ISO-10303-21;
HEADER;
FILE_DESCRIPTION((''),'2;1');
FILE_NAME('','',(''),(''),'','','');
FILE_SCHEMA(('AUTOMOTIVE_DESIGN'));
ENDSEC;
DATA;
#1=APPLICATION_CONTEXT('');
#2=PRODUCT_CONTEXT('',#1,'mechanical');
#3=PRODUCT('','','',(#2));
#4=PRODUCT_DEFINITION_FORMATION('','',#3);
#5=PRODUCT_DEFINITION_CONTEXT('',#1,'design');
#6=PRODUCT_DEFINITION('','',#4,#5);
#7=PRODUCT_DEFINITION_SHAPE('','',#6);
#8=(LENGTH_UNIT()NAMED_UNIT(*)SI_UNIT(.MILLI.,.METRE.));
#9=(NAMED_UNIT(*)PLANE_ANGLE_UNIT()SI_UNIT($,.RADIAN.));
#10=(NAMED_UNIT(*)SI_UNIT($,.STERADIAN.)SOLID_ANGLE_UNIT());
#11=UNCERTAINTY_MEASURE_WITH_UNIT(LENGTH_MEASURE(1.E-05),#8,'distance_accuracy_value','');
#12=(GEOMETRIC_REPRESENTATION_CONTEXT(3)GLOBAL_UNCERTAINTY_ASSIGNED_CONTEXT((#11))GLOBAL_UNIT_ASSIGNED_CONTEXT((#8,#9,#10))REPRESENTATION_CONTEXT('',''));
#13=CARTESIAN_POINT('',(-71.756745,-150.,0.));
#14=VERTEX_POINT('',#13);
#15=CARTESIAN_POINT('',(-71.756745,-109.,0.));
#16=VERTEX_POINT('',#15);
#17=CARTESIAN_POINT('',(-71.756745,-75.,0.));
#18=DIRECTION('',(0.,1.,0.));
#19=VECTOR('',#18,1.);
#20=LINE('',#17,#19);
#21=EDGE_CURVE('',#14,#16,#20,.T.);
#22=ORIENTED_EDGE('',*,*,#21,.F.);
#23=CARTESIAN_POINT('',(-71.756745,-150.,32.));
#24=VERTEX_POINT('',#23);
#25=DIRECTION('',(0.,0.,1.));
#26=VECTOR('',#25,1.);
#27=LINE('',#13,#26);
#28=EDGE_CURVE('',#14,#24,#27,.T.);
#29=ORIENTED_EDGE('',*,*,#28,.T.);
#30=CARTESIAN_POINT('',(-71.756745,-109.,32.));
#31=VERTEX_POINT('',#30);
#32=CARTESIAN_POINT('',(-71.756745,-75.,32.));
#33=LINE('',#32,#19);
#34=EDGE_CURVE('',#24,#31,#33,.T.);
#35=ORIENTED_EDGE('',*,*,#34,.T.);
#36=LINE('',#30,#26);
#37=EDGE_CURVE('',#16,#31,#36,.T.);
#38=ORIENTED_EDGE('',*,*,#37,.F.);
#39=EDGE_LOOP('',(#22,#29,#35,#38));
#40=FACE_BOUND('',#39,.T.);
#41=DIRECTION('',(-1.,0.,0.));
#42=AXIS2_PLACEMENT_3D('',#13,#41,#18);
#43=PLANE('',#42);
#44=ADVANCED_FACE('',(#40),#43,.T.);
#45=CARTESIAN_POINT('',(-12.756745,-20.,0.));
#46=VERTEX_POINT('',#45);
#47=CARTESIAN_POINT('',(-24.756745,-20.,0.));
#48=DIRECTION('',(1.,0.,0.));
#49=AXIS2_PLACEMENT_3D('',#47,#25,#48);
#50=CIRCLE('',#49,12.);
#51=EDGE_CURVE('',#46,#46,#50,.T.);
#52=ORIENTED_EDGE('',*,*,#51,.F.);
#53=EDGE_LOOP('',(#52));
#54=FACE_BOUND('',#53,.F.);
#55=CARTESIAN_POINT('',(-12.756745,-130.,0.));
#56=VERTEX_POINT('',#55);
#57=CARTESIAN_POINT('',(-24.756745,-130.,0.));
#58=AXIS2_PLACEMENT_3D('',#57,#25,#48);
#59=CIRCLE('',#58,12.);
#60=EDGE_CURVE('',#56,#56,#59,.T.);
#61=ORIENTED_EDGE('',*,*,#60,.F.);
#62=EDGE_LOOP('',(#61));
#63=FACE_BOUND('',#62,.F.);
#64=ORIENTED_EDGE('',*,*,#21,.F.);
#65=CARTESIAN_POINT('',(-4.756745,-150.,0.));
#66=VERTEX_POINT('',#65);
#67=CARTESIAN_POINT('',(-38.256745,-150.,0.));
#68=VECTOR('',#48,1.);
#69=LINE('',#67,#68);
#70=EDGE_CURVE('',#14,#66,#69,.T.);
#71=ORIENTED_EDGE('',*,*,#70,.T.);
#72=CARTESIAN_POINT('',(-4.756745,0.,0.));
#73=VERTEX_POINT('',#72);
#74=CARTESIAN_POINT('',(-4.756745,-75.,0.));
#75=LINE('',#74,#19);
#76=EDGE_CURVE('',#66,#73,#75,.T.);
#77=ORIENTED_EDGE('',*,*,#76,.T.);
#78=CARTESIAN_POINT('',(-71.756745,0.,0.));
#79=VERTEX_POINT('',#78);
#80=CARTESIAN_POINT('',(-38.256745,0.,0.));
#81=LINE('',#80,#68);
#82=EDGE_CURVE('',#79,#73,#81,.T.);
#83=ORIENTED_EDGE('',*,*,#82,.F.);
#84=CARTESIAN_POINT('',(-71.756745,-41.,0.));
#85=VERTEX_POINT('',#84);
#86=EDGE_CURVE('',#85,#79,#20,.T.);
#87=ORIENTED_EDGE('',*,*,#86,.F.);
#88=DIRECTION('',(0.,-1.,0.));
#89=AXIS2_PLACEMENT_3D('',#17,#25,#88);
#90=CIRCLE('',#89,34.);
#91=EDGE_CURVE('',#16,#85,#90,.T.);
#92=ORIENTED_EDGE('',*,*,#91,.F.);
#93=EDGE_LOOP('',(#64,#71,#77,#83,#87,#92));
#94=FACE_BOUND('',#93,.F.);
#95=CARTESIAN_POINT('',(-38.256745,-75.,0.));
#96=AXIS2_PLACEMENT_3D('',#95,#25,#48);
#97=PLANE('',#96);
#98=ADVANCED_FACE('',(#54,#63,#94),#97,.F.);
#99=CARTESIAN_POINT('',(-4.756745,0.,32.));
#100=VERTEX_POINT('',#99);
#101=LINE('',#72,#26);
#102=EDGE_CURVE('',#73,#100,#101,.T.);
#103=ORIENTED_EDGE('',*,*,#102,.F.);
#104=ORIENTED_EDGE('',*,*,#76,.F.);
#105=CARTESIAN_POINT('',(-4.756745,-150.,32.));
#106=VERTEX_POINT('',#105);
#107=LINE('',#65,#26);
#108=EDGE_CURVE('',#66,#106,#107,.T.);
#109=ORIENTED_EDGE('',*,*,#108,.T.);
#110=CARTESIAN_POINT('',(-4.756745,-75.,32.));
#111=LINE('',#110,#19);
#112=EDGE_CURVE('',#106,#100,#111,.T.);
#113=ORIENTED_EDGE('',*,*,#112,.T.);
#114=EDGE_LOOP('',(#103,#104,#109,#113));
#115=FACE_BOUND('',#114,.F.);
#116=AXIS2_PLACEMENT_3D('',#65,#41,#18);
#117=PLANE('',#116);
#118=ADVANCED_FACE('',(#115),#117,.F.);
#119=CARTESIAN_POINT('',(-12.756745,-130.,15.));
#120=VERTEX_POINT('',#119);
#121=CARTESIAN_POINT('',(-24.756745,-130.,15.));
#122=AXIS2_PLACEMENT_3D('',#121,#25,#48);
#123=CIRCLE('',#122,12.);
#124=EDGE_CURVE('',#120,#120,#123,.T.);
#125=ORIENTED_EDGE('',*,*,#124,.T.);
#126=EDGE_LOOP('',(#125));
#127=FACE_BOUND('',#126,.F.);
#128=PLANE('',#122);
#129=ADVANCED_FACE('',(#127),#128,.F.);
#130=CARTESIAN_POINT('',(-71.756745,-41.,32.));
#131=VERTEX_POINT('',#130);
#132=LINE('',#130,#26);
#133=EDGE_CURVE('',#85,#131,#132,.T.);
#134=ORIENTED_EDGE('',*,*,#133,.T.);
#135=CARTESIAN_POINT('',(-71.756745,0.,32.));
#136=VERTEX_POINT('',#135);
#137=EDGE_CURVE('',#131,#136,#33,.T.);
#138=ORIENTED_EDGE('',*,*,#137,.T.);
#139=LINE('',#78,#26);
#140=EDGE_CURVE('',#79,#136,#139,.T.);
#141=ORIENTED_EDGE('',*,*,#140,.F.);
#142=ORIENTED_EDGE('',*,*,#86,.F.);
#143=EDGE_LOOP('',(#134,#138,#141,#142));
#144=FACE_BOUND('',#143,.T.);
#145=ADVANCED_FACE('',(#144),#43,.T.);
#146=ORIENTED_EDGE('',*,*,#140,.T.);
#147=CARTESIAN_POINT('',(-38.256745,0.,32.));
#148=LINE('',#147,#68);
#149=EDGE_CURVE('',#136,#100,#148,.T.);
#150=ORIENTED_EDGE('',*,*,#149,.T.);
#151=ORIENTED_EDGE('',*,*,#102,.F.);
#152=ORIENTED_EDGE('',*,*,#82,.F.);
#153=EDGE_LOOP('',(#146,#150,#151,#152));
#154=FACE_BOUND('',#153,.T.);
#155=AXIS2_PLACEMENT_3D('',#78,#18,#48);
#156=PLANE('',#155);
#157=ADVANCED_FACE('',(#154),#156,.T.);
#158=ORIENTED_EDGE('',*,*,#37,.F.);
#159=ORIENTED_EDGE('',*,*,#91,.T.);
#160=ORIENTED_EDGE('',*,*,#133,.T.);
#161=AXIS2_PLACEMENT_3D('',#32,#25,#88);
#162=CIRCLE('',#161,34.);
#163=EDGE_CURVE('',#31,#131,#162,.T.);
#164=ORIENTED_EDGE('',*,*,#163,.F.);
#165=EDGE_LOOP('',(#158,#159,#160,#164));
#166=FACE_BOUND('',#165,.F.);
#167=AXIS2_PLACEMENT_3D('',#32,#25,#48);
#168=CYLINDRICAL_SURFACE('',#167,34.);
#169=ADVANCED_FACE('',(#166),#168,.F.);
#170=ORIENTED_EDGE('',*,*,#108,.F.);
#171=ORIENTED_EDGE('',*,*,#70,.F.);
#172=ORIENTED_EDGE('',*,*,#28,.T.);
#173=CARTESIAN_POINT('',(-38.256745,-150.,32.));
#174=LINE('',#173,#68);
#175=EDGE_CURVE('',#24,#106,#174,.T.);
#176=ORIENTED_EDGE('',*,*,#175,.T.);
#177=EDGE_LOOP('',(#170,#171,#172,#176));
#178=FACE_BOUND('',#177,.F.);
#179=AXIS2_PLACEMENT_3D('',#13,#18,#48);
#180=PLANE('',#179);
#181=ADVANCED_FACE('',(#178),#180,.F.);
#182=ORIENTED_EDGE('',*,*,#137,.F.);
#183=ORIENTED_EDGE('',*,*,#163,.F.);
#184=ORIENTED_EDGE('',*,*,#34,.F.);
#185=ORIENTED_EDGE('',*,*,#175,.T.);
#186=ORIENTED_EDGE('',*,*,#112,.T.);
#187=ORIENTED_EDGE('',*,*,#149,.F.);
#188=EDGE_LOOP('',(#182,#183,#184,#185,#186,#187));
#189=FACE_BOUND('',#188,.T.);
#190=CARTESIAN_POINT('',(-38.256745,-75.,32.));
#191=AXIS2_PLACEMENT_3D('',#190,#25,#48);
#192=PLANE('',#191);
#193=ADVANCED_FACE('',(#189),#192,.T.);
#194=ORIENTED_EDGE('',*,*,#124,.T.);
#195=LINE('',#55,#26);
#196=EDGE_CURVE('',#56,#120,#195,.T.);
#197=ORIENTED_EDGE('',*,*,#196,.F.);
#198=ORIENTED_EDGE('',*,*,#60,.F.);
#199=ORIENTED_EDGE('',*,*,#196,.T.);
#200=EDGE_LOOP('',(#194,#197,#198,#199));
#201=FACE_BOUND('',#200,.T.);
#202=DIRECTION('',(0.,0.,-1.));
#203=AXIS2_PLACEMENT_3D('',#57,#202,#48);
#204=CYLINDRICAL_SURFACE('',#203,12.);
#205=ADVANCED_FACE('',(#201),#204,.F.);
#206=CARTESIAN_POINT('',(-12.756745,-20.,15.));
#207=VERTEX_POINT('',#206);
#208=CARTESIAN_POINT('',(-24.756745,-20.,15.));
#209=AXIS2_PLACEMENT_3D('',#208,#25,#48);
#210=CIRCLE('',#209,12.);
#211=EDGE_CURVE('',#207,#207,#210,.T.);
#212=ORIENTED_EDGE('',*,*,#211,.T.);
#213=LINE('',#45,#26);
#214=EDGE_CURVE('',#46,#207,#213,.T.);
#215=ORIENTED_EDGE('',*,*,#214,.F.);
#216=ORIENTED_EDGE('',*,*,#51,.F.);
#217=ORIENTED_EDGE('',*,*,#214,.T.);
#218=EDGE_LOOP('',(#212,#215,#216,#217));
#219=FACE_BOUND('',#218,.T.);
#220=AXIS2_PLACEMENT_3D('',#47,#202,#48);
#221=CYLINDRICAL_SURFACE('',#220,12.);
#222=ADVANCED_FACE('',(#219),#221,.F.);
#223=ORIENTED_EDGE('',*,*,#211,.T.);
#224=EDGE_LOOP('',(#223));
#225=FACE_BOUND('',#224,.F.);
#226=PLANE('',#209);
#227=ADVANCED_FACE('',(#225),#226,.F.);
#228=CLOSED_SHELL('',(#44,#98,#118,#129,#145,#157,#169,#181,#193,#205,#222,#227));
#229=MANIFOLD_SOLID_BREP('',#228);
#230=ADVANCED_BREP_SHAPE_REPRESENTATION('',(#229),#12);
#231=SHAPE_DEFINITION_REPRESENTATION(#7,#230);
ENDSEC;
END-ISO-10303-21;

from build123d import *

# Parameters (mm, degrees)
F0_W     = 67
F0_H     = 150
F2_DEPTH = 32
F3_R     = 34
F4_DEPTH = 32
F1_R     = 12
F5_DEPTH = 15


with BuildPart() as f2:
    # F0 (on Top) → F2 (new body)
    with BuildSketch(Plane.XY):
        with Locations((-38.256745, -75)):
            Rectangle(F0_W, F0_H)
    extrude(amount=F2_DEPTH)

    # F3 (on face) → F4 (cut)
    with BuildSketch(Plane.XY.offset(32)):
        with Locations((-71.756745, -75)):
            Circle(F3_R)
    extrude(amount=-F4_DEPTH, mode=Mode.SUBTRACT)

    # F1 (on face) → F5 (cut)
    with BuildSketch(Plane.XY):
        with Locations((-24.756745, -20)):
            Circle(F1_R)
        with Locations((-24.756745, -130)):
            Circle(F1_R)
    extrude(amount=F5_DEPTH, mode=Mode.SUBTRACT)


solid = f2.part
